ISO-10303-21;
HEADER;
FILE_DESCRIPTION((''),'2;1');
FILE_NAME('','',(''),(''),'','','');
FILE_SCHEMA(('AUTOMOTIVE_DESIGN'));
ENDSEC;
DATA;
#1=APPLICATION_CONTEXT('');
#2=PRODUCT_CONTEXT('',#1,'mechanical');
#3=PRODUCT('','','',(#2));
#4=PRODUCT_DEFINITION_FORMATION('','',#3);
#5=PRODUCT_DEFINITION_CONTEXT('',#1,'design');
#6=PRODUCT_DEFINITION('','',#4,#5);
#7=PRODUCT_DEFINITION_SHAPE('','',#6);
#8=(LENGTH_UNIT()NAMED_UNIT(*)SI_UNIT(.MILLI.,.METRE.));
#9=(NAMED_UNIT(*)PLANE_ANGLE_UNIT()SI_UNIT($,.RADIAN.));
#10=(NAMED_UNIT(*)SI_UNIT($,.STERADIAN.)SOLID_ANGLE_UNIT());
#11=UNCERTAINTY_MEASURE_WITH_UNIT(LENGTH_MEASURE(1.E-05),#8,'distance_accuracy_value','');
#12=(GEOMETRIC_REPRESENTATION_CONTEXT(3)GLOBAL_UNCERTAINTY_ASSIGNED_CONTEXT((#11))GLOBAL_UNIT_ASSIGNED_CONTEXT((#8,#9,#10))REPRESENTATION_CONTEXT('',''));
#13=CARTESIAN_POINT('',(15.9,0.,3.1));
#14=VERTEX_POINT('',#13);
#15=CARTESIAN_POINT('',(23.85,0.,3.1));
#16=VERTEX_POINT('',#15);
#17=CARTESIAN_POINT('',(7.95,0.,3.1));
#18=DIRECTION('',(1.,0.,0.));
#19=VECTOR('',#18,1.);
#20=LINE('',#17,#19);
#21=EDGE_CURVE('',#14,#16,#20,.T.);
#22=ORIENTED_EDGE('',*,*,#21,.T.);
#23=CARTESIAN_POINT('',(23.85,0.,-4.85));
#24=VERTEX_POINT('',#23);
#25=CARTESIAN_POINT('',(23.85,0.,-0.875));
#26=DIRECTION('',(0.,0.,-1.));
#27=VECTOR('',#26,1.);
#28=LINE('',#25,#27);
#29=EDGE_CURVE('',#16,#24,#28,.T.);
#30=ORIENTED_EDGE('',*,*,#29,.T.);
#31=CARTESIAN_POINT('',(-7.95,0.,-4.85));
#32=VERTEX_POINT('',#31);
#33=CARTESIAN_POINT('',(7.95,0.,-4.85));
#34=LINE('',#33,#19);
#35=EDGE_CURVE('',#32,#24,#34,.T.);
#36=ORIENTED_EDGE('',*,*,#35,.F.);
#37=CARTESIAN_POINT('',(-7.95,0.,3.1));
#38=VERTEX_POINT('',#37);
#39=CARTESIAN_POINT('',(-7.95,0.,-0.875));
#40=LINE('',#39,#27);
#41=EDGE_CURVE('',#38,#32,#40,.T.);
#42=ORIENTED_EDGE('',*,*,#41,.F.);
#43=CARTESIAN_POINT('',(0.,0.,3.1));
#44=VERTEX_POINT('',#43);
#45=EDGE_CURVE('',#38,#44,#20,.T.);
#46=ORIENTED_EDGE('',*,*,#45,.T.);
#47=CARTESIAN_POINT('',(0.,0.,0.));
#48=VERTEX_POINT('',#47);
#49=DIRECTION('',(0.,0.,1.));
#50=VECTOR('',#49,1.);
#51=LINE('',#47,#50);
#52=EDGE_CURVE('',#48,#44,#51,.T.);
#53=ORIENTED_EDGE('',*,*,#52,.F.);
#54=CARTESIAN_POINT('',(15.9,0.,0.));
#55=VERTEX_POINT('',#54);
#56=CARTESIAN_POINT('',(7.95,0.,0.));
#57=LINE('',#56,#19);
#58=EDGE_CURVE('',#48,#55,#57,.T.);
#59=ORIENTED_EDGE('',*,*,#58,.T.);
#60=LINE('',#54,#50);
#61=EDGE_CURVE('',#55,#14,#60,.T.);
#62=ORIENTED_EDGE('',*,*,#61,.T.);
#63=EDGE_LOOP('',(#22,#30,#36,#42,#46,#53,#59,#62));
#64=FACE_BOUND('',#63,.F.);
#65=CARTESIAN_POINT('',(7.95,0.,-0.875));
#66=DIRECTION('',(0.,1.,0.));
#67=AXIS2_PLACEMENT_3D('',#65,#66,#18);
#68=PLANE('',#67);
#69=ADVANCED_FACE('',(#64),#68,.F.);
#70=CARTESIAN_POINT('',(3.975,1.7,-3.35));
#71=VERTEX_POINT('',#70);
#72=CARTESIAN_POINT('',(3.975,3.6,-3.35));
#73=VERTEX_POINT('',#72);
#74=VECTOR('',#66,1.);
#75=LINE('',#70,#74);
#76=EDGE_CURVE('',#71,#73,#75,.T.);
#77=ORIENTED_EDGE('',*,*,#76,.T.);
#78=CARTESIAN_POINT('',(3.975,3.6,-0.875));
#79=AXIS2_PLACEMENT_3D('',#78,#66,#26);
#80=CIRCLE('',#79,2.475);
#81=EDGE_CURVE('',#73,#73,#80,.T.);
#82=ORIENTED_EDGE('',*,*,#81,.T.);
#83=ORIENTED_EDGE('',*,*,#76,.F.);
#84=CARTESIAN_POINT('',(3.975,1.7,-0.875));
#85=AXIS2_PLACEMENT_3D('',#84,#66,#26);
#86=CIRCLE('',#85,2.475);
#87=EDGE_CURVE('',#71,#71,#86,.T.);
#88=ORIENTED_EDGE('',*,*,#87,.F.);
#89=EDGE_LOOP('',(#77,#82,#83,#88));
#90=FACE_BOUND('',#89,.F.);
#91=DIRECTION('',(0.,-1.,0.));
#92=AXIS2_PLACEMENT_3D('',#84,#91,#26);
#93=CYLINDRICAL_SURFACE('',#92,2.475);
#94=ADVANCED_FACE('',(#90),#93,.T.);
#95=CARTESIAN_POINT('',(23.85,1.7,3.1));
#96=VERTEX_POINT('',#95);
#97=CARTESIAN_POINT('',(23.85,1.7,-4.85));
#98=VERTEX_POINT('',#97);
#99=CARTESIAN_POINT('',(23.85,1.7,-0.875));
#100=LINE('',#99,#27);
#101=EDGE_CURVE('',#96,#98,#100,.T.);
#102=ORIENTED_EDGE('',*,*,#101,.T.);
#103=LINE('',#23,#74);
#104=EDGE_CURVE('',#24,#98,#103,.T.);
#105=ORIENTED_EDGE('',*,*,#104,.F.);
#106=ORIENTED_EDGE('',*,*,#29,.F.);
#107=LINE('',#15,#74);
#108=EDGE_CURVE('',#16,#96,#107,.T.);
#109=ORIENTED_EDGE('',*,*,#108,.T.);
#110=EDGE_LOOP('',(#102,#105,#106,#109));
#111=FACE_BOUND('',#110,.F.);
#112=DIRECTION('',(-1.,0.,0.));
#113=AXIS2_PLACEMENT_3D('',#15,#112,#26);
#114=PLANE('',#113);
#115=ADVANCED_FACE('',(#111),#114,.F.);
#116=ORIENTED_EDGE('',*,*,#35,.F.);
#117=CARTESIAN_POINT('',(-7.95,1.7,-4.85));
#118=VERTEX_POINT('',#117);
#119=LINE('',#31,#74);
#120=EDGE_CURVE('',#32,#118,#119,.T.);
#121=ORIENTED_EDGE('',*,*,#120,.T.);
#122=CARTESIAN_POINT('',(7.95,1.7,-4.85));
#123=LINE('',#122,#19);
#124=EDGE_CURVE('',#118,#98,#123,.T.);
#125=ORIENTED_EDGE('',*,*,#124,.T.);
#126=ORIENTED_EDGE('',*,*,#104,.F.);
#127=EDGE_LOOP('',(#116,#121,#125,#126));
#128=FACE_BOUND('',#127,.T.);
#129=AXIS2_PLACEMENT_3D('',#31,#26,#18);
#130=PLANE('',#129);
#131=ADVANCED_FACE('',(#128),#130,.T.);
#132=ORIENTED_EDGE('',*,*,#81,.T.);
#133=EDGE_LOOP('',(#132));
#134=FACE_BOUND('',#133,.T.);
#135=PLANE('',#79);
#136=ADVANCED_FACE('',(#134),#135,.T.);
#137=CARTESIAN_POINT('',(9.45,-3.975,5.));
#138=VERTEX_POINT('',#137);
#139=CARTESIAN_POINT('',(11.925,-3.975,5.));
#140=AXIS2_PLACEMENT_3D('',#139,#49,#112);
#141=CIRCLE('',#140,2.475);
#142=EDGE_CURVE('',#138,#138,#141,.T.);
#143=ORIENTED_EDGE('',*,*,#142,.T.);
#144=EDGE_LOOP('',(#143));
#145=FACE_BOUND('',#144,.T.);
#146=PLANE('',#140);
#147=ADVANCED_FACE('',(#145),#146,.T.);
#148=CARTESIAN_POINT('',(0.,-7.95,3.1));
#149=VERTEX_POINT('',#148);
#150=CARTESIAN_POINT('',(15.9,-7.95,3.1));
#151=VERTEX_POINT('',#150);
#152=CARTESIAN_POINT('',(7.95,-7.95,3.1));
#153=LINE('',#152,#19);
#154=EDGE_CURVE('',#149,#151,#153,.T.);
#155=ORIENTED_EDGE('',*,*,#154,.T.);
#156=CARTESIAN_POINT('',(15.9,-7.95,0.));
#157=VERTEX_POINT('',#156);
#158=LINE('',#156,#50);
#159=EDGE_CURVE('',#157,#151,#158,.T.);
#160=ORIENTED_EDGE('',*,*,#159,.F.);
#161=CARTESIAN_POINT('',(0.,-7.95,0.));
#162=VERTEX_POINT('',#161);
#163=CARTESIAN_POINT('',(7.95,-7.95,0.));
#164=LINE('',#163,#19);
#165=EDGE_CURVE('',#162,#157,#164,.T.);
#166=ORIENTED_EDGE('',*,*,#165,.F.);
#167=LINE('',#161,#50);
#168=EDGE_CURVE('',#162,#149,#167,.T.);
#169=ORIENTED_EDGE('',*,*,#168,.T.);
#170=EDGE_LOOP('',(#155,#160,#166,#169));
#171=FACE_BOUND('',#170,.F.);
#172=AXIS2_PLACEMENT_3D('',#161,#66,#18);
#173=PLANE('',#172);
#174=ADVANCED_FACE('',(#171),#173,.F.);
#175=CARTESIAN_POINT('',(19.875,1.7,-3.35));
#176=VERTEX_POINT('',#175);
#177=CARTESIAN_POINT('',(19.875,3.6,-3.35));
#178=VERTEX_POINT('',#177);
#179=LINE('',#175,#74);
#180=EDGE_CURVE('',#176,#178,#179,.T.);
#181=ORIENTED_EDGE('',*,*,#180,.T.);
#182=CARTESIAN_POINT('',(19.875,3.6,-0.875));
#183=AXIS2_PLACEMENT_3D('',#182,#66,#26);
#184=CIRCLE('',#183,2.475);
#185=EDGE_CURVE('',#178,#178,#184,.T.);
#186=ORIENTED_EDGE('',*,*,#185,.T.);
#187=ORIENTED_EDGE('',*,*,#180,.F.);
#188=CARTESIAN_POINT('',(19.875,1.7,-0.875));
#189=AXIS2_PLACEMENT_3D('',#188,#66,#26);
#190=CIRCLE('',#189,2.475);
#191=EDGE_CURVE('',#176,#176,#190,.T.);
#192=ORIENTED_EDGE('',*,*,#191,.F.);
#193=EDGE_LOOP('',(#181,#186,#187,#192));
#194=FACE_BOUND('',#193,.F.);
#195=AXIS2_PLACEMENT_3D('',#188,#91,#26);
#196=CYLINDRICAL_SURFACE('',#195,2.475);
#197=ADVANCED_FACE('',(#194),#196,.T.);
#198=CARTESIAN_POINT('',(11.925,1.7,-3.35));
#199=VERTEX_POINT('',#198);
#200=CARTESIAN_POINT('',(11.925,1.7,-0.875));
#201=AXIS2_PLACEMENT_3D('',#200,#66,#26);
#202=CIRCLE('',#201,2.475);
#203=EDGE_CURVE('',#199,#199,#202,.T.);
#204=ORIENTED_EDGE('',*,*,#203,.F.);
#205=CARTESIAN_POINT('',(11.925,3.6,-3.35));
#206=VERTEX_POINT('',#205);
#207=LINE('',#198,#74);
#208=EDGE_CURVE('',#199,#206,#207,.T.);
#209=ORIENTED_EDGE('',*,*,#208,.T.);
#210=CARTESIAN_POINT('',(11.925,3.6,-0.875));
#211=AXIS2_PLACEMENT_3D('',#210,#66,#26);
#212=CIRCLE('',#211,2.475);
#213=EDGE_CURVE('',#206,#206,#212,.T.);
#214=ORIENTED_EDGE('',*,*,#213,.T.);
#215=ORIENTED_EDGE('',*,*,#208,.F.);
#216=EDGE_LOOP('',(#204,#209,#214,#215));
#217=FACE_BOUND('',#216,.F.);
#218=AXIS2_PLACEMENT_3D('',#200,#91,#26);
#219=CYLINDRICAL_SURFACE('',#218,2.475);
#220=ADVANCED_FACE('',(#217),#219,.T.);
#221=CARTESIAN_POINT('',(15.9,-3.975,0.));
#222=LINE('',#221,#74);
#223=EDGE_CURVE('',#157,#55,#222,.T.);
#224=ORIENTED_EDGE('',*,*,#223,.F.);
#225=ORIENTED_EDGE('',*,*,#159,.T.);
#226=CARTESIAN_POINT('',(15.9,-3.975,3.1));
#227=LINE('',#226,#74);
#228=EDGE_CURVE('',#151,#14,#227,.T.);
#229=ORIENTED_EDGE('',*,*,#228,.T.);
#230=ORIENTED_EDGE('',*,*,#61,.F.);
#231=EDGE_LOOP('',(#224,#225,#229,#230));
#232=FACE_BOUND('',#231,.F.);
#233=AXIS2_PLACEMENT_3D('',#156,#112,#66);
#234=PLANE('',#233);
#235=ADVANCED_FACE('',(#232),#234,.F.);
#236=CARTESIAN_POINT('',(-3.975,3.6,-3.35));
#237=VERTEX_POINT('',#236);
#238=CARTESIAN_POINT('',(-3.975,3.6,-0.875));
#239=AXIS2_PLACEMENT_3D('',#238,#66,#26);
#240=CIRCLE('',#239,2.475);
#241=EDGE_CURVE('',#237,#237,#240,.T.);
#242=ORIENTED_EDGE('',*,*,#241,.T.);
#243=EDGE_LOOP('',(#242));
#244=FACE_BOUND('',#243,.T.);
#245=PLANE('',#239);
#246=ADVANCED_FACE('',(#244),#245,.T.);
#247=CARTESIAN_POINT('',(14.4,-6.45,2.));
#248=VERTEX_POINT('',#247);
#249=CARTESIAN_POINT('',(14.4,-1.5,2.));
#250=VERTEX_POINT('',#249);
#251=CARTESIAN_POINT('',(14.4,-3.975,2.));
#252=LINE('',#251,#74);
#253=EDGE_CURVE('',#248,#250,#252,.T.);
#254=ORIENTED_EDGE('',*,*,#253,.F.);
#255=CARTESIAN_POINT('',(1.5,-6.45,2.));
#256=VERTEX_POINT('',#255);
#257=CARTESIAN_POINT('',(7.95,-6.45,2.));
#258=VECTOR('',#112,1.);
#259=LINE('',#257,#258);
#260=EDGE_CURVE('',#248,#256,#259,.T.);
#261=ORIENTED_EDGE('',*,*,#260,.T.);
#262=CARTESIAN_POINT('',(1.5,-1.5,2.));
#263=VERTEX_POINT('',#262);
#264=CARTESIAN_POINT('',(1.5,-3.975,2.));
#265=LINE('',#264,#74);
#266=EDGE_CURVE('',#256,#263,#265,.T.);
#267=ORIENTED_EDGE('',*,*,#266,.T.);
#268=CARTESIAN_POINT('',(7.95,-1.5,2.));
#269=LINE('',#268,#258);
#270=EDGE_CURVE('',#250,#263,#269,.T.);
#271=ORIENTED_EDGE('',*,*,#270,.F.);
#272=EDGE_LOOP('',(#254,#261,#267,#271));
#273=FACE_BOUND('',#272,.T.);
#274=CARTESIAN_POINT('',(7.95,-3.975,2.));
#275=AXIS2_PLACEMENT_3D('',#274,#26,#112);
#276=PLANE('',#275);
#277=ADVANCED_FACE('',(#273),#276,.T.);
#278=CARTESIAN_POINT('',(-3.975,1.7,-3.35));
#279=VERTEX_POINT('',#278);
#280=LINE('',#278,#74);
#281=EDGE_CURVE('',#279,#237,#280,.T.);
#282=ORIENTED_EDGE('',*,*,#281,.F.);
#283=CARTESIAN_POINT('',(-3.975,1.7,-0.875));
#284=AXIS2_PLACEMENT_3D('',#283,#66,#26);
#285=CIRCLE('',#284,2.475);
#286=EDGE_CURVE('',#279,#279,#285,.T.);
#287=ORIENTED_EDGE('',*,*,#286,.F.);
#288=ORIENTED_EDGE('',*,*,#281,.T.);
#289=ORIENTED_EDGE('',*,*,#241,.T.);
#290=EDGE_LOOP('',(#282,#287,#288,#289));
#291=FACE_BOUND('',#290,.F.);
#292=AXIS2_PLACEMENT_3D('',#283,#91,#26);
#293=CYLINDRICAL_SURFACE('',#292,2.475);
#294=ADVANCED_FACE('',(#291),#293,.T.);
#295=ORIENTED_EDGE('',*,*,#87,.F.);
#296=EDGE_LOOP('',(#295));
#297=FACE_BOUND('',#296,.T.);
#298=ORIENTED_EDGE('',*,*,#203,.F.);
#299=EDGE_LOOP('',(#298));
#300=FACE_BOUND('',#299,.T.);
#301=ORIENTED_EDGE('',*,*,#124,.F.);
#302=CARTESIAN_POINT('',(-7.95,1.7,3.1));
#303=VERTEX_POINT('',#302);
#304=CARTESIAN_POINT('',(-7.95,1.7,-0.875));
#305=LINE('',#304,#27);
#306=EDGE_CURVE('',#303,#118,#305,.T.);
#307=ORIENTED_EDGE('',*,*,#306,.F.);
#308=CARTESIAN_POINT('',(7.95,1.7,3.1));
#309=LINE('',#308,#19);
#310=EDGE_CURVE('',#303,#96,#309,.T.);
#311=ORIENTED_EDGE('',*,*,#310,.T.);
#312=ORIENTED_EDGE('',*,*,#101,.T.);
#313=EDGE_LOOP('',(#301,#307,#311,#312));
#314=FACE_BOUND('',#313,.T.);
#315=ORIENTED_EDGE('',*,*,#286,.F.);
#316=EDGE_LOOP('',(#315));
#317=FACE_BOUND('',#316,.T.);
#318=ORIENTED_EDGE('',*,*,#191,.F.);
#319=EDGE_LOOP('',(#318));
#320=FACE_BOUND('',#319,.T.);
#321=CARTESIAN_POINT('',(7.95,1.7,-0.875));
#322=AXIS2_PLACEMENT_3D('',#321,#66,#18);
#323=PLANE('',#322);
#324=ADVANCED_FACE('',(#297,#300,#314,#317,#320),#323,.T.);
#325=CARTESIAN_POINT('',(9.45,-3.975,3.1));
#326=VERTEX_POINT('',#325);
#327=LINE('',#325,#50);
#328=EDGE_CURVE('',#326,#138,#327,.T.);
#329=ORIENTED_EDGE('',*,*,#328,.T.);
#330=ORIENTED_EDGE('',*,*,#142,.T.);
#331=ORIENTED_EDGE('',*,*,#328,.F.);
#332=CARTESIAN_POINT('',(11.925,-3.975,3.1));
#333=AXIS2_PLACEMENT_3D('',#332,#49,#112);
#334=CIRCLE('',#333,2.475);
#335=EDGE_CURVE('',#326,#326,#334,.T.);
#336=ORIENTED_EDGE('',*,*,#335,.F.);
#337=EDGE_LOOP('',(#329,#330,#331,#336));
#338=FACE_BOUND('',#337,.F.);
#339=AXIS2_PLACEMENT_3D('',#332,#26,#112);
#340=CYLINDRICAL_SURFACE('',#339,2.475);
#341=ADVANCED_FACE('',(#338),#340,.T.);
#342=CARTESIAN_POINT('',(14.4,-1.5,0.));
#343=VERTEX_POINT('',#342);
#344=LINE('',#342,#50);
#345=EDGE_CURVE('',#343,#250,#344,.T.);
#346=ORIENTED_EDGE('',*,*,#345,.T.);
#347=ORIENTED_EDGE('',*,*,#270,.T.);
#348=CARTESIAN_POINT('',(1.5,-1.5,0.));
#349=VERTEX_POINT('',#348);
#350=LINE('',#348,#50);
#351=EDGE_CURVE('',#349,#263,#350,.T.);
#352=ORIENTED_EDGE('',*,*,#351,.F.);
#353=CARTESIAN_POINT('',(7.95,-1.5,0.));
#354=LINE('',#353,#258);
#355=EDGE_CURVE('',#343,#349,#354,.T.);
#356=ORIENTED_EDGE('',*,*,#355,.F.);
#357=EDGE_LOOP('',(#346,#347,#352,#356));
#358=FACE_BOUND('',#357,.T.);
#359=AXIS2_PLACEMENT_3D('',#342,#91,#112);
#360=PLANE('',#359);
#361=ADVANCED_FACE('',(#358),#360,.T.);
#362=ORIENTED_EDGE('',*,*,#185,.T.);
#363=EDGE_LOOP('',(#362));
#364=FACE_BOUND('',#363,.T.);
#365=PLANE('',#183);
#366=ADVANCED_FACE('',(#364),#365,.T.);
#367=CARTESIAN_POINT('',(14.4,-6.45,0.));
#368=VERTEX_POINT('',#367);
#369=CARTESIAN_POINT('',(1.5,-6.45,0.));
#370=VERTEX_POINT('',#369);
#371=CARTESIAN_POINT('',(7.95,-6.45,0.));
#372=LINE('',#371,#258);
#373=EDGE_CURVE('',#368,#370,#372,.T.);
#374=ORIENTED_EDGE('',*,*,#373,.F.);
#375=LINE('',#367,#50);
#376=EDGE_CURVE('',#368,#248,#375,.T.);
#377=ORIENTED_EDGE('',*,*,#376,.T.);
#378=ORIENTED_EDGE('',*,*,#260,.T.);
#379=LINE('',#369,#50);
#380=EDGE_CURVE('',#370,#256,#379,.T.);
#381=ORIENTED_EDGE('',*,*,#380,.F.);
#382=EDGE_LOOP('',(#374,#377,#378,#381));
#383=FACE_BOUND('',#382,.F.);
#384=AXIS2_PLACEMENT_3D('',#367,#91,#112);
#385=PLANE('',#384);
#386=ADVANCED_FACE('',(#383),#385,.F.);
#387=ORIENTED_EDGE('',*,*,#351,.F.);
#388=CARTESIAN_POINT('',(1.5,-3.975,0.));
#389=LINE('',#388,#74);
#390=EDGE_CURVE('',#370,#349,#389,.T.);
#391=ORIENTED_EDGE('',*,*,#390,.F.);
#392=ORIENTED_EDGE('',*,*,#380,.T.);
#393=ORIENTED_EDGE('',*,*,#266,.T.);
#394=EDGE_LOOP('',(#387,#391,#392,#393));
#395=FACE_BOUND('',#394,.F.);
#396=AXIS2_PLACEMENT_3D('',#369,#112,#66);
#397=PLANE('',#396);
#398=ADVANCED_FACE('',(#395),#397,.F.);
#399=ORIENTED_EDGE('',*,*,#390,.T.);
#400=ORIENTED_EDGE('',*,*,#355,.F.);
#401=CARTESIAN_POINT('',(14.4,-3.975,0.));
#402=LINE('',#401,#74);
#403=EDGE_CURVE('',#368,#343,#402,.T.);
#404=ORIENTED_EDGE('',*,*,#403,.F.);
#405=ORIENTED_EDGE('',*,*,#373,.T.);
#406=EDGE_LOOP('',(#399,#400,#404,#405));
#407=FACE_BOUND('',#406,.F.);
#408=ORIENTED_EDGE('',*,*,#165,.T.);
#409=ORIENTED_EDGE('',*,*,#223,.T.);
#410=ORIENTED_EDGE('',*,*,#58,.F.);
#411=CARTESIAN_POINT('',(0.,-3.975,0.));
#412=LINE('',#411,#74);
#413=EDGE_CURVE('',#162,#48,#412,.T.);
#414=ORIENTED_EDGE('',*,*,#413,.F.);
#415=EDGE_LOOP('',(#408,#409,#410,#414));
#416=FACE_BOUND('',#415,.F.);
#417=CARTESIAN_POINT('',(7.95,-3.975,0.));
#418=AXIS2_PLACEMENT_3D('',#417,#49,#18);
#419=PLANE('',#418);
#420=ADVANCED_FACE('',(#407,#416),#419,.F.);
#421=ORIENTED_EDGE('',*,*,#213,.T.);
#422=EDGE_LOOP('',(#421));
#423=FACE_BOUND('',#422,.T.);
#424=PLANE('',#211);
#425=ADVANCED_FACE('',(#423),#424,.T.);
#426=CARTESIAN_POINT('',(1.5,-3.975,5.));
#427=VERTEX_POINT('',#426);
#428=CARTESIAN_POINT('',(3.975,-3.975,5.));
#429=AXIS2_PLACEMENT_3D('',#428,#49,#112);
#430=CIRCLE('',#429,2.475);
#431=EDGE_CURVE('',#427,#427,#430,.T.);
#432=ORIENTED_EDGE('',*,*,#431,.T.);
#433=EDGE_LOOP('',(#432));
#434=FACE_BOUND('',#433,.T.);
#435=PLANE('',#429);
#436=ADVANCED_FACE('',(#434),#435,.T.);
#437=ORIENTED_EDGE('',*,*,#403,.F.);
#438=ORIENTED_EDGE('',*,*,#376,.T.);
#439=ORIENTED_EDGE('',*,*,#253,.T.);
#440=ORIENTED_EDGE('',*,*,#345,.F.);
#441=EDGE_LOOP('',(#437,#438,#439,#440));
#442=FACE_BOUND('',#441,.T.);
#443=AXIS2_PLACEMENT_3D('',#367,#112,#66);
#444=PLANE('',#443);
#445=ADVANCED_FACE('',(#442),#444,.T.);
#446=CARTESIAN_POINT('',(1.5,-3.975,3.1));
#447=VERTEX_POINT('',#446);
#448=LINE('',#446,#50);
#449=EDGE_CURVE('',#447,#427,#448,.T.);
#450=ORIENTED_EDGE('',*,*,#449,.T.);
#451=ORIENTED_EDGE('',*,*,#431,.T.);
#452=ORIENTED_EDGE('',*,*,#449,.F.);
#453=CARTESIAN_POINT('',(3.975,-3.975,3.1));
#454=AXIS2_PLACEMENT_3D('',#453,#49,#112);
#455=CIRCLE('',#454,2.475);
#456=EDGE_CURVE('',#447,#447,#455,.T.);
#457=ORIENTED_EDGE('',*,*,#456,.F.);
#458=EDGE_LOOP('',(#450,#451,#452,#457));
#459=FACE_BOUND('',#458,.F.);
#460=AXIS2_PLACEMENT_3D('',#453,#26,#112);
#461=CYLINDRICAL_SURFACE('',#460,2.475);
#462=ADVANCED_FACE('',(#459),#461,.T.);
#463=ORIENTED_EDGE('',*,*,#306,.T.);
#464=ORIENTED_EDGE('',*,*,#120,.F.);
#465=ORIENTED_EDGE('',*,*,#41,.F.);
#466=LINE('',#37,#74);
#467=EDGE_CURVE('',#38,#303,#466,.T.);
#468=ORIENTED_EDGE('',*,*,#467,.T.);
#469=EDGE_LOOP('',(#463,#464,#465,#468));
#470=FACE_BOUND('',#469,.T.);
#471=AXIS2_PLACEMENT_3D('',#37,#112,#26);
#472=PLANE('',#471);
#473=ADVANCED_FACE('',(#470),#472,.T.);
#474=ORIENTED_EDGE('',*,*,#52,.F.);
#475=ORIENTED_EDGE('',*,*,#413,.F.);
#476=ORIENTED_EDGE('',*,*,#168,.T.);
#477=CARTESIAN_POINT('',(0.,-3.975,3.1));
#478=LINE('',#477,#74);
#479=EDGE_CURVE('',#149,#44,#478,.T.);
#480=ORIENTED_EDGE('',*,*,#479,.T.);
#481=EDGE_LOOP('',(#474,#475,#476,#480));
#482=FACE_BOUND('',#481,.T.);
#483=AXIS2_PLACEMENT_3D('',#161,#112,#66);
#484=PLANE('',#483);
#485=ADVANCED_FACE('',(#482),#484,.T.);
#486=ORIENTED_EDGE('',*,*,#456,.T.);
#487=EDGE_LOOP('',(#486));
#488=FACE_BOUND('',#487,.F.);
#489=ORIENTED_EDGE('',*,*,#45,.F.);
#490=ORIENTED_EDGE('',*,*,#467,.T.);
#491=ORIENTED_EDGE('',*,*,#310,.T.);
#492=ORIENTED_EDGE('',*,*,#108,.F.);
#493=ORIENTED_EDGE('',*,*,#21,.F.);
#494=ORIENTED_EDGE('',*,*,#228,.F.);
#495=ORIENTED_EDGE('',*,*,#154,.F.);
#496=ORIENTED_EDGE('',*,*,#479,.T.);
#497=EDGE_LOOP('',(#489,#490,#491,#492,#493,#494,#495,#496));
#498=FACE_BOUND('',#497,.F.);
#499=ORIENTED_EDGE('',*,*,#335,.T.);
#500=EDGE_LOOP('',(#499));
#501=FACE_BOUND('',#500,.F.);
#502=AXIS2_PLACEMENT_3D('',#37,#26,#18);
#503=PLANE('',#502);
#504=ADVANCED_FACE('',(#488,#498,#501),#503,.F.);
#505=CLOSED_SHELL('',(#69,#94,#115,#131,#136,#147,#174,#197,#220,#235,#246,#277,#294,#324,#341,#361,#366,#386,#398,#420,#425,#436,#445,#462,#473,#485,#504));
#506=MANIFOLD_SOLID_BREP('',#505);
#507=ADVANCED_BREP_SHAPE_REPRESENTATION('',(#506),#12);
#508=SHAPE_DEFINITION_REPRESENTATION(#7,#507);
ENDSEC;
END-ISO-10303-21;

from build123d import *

# Parameters (mm, degrees)
SKETCH1_W           = 15.9
SKETCH1_H           = 7.95
BOSS_EXTRUDE1_DEPTH = 3.1
SKETCH2_R           = 2.475
BOSS_EXTRUDE2_DEPTH = 1.9
SKETCH3_W           = 12.9
SKETCH3_H           = 4.95
CUT_EXTRUDE1_DEPTH  = 2
SKETCH4_W           = 31.8
SKETCH4_H           = 7.95
BOSS_EXTRUDE3_DEPTH = 1.7
SKETCH5_R           = 2.475
BOSS_EXTRUDE4_DEPTH = 1.9
LPATTERN1_COUNT     = 4
LPATTERN1_PITCH     = 7.95


with BuildPart() as part:
    # Sketch1 → Boss-Extrude1 (new body)
    with BuildSketch(Plane.XY):
        with Locations((7.95, -3.975)):
            Rectangle(SKETCH1_W, SKETCH1_H)
    extrude(amount=BOSS_EXTRUDE1_DEPTH)

    # Sketch2 → Boss-Extrude2 (add)
    with BuildSketch(Plane.XY.offset(3.1)):
        with Locations(Location((3.975, -3.975, 0), (0, 0, 180))):
            Circle(SKETCH2_R)
        with Locations(Location((11.925, -3.975, 0), (0, 0, 180))):
            Circle(SKETCH2_R)
    extrude(amount=BOSS_EXTRUDE2_DEPTH)

    # Sketch3 → Cut-Extrude1 (cut)
    with BuildSketch(Plane(origin=(0, 0, 0), x_dir=(-1, 0, 0), z_dir=(0, 0, -1))):
        with Locations((-7.95, -3.975)):
            Rectangle(SKETCH3_W, SKETCH3_H)
    extrude(amount=-CUT_EXTRUDE1_DEPTH, mode=Mode.SUBTRACT)

    # Sketch4 → Boss-Extrude3 (add)
    with BuildSketch(Plane(origin=(0, 0, 0), x_dir=(1, 0, 0), z_dir=(0, 1, 0))):
        with Locations((7.95, 0.875)):
            Rectangle(SKETCH4_W, SKETCH4_H)
    extrude(amount=BOSS_EXTRUDE3_DEPTH)

    # Sketch5 → Boss-Extrude4 (add)
    with BuildSketch(Plane(origin=(0, 1.7, 0), x_dir=(1, 0, 0), z_dir=(0, 1, 0))):
        with Locations(Location((-3.975, 0.875, 0), (0, 0, 90))):
            Circle(SKETCH5_R)
    boss_extrude4 = extrude(amount=BOSS_EXTRUDE4_DEPTH)

    # LPattern1: Boss-Extrude4 ×4
    with Locations(*[(i * LPATTERN1_PITCH, 0, 0) for i in range(1, LPATTERN1_COUNT)]):
        add(boss_extrude4)


solid = part.part
